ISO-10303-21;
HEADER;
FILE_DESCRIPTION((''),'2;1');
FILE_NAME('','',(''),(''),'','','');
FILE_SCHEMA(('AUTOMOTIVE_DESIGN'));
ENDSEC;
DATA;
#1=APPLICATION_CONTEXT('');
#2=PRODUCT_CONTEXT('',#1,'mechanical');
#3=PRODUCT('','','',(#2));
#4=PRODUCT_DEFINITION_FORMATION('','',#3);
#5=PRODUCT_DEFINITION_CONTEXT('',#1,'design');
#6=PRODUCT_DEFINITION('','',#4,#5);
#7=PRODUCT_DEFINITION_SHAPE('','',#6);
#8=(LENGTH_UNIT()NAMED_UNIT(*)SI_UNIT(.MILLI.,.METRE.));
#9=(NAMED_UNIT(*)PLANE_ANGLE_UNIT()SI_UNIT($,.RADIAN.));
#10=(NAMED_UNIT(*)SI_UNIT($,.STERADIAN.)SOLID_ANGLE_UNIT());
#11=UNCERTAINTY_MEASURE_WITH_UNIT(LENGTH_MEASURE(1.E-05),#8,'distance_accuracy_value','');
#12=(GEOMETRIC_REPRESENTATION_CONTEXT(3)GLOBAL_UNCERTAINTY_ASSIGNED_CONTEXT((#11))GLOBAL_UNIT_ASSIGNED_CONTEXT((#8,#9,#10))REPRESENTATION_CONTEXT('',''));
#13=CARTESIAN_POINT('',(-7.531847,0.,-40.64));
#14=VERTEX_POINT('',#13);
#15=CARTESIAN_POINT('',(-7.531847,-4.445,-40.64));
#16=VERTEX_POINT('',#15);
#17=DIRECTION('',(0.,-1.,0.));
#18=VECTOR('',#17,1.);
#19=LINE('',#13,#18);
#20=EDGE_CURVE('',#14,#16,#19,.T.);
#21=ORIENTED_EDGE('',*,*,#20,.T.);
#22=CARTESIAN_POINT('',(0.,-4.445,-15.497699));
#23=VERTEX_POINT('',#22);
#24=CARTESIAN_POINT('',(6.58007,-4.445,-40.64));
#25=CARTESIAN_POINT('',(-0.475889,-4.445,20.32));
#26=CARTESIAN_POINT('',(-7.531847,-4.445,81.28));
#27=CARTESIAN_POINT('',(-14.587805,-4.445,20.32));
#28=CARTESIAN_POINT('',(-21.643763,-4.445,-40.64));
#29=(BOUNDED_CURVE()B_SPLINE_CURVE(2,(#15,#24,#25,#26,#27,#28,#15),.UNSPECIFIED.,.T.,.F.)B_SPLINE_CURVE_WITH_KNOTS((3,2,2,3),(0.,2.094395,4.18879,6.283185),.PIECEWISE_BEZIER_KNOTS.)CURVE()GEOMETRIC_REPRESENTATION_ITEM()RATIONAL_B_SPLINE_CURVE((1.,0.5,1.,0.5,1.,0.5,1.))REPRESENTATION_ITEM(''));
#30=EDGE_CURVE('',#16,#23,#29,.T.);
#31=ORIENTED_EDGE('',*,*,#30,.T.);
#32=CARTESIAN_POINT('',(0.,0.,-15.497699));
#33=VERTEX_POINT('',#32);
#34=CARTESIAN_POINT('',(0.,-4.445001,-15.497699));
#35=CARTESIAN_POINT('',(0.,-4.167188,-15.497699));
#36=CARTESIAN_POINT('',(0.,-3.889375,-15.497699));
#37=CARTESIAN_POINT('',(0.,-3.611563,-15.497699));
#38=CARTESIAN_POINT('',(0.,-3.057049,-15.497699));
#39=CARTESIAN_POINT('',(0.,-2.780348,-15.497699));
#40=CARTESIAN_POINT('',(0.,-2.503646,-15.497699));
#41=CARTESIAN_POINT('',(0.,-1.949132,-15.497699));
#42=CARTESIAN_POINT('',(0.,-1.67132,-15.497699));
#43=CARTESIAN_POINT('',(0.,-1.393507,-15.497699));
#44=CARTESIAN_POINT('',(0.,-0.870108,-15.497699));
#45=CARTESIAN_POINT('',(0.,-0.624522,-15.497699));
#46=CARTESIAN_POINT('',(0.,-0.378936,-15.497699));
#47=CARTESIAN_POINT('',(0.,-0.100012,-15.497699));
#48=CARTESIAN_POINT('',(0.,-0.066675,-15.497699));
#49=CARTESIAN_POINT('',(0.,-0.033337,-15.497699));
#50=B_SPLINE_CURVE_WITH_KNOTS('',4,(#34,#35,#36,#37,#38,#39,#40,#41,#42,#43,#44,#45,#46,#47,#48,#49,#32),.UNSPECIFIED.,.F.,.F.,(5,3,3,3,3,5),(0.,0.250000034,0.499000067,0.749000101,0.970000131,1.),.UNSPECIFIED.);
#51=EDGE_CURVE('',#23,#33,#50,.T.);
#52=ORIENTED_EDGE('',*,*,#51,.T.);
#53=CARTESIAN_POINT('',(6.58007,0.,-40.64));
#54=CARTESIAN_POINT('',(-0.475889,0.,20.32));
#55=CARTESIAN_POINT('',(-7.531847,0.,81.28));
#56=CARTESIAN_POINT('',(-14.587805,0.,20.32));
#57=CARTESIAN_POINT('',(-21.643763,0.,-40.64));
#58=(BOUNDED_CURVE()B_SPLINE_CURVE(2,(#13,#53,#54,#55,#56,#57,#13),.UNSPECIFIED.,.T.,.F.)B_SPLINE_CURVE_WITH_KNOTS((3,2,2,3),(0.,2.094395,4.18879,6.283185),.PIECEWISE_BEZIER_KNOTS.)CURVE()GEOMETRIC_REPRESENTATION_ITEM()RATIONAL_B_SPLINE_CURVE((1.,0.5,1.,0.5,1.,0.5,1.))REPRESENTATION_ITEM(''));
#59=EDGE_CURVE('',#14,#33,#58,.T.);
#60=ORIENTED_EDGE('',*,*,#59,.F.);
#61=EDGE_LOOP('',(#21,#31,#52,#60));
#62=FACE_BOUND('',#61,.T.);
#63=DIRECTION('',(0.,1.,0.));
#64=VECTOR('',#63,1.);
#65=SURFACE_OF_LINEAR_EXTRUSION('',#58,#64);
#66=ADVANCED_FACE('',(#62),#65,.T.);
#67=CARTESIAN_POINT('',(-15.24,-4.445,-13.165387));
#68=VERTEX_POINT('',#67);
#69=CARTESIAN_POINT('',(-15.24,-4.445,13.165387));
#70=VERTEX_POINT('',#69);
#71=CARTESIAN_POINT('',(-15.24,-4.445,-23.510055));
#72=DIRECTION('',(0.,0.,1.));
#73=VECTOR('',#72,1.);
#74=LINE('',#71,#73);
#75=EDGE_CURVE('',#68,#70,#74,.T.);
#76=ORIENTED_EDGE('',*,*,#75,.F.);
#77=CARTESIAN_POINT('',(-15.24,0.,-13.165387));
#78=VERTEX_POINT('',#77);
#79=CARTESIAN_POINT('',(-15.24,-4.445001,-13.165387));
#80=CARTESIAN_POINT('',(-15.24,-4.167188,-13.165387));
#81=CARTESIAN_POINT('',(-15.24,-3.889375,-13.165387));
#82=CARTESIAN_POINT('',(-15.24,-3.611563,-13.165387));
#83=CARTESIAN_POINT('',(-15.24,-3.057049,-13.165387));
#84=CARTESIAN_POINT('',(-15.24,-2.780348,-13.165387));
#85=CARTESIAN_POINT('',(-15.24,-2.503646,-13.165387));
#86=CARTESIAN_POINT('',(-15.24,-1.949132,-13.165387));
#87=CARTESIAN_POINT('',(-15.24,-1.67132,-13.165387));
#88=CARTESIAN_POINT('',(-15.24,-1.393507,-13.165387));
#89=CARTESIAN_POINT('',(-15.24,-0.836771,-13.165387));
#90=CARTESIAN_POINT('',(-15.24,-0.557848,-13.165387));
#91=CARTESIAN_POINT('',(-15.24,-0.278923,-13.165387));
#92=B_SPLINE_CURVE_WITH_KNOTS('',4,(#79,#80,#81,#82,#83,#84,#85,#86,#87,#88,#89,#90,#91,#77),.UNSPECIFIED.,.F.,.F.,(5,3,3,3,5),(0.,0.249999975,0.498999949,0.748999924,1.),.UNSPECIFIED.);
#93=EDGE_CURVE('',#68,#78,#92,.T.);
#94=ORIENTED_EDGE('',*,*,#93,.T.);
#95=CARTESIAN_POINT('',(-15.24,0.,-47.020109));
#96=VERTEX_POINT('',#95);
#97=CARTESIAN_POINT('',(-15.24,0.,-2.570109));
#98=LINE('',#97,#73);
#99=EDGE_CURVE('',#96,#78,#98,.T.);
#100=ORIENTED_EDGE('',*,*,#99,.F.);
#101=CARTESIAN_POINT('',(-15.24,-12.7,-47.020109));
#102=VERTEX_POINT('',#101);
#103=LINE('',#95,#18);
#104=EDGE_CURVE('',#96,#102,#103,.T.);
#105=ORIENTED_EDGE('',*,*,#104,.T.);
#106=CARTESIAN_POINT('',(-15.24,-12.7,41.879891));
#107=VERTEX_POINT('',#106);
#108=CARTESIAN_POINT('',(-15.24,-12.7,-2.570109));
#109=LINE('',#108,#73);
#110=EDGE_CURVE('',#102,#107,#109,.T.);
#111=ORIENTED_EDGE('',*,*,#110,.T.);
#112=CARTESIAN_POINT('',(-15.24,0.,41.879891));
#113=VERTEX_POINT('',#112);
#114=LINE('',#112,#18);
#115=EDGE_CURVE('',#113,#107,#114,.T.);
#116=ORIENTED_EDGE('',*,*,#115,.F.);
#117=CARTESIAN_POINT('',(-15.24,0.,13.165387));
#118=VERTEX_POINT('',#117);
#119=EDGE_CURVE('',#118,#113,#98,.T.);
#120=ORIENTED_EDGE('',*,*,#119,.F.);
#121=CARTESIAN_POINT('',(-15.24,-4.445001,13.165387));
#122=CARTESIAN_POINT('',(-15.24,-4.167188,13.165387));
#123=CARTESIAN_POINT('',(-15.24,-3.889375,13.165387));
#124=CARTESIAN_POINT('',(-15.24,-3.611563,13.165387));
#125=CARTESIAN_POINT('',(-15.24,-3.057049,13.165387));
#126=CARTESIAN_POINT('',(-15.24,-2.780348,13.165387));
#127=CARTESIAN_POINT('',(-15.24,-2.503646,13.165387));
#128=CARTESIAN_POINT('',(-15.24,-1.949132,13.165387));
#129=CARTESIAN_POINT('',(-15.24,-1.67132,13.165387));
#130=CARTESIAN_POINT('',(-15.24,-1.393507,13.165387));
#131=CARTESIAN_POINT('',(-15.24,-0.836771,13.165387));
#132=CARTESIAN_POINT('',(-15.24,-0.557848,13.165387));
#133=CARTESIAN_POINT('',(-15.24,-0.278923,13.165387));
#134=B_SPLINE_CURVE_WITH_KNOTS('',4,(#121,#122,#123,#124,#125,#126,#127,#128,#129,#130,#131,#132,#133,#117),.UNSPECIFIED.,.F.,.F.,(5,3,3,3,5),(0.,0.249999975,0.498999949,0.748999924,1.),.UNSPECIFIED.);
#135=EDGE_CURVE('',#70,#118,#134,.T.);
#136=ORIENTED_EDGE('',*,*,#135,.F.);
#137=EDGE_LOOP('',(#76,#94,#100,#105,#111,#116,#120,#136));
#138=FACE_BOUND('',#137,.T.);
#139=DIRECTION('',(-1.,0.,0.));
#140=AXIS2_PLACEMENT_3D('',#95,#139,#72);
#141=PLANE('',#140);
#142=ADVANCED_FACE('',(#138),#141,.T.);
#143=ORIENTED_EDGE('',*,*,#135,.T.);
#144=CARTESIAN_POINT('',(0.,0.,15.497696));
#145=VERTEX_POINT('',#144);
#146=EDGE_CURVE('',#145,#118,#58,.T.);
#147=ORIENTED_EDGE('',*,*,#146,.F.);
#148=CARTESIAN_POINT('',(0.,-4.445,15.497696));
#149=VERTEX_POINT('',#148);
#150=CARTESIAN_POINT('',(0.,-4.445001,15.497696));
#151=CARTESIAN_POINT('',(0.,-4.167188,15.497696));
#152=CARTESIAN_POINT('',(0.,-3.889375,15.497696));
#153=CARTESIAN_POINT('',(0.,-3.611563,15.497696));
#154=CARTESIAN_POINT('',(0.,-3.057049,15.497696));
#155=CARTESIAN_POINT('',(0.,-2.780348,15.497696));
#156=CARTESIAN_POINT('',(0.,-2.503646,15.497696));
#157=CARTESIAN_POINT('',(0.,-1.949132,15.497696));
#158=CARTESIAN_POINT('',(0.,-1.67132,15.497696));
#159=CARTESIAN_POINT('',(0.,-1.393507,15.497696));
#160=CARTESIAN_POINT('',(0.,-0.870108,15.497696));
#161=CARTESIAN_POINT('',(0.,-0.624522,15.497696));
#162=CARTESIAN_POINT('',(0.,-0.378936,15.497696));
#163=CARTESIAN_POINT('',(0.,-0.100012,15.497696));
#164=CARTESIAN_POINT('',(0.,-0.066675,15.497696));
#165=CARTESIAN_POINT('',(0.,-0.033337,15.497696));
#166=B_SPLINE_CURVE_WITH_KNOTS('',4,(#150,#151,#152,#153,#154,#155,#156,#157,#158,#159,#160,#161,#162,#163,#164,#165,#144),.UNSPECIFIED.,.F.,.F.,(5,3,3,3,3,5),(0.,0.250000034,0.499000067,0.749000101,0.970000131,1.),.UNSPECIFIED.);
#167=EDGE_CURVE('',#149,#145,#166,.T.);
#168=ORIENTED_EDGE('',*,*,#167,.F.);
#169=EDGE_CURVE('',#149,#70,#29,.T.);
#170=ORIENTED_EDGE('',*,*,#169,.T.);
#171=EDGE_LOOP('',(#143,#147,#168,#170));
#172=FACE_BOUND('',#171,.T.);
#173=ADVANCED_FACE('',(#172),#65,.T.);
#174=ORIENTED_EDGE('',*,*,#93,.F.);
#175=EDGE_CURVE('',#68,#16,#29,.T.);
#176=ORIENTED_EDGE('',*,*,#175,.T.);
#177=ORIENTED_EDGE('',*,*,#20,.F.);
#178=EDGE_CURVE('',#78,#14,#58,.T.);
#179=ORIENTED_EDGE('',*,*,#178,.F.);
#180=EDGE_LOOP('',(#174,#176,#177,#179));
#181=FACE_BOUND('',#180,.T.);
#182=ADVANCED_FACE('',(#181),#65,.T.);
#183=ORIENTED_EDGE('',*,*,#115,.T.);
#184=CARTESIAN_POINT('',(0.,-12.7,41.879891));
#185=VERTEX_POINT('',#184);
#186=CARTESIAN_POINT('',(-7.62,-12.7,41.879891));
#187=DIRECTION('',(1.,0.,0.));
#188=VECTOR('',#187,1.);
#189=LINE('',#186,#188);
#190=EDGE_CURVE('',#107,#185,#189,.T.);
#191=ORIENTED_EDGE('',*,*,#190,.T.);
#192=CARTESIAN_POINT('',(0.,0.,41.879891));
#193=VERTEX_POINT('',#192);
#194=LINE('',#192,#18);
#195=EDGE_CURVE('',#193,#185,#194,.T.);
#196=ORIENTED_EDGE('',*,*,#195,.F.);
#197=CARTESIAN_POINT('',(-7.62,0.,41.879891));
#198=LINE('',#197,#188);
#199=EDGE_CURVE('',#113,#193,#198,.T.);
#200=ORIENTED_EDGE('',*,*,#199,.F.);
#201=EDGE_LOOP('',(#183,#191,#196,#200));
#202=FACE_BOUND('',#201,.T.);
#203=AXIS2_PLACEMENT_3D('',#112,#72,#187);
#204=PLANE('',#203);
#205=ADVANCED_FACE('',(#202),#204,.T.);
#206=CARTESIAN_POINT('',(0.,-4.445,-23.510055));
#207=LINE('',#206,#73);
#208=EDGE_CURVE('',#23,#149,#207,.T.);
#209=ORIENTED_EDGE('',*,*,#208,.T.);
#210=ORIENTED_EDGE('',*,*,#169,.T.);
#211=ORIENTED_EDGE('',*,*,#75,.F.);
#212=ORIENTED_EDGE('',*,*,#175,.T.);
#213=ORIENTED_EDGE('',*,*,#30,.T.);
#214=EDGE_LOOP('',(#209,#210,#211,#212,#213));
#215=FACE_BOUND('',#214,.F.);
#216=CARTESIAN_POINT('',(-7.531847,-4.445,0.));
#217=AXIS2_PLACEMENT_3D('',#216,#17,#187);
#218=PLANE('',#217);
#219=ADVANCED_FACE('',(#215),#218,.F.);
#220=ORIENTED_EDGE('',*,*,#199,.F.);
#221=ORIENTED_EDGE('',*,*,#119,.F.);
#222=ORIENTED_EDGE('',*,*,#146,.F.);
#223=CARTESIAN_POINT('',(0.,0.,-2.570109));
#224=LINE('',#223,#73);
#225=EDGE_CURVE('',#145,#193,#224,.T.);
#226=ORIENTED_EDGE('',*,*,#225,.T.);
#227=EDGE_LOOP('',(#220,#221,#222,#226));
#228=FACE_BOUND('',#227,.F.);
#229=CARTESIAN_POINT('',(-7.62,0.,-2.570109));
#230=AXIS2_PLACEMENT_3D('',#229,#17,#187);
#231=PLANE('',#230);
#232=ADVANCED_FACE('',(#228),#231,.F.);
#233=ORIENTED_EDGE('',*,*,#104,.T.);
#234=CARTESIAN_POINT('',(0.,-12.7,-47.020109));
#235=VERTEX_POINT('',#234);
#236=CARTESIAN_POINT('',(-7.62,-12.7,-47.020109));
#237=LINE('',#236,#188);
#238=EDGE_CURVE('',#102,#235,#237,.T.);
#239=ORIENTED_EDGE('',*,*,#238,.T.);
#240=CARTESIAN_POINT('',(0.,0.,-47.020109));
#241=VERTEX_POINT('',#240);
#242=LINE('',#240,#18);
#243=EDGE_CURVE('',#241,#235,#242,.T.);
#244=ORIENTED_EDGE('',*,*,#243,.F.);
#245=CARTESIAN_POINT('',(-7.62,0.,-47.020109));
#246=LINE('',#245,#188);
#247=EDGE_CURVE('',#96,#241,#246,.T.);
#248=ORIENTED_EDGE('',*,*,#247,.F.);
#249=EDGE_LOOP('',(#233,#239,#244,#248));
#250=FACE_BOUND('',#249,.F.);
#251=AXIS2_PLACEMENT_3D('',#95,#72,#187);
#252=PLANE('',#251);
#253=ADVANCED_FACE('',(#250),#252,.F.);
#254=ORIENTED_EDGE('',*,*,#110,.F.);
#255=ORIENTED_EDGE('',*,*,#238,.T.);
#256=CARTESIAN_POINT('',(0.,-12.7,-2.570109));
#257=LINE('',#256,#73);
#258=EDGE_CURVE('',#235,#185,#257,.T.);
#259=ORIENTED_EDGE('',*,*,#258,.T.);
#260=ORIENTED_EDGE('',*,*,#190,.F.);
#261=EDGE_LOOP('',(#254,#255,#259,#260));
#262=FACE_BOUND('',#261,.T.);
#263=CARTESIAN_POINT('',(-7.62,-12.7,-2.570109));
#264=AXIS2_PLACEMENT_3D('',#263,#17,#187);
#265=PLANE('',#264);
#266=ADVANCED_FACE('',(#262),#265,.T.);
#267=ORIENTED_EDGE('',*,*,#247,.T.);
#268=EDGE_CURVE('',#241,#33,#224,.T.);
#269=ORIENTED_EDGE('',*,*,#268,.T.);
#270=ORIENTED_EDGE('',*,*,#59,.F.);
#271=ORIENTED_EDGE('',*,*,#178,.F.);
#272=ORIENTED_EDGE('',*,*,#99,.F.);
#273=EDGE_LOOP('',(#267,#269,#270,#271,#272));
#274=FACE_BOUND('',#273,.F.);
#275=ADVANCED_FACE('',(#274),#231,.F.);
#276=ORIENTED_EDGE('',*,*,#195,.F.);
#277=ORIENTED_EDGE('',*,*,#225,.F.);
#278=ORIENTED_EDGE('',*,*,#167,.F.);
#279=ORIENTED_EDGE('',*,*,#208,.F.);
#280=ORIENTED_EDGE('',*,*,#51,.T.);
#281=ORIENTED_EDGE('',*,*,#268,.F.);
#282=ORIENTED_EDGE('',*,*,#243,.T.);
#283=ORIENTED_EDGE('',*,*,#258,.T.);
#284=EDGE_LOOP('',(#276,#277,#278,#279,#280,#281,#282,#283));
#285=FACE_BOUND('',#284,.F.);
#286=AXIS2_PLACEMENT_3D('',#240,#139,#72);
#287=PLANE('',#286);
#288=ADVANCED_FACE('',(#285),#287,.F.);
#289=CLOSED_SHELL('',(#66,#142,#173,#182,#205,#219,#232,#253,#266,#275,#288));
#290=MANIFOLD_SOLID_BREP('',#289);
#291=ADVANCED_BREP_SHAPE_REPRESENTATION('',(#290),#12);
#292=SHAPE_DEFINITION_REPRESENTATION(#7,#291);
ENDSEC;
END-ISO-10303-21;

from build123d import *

# Parameters (mm, degrees)
F0_W     = 15.24
F0_H     = 88.9
F1_DEPTH = 12.7
F3_DEPTH = 4.445


with BuildPart() as f1:
    # F0 (on Front) → F1 (new body)
    with BuildSketch(Plane.XZ):
        with Locations((-7.62, -2.570109)):
            Rectangle(F0_W, F0_H)
    extrude(amount=F1_DEPTH)

    # F2 (on Front) → F3 (cut, symmetric)
    with BuildSketch(Plane.XZ):
        with BuildLine():
            add(Edge.make_bspline(
                [(-7.531847, -40.64), (6.58007, -40.64), (-0.475889, 20.32), (-7.531847, 81.28), (-14.587805, 20.32), (-21.643763, -40.64), (-7.531847, -40.64)],
                knots=[0, 0, 0, 2.094395, 2.094395, 4.18879, 4.18879, 6.283185, 6.283185, 6.283185], degree=2, weights=[1, 0.5, 1, 0.5, 1, 0.5, 1]))
        make_face()
    extrude(amount=F3_DEPTH, both=True, mode=Mode.SUBTRACT)


solid = f1.part
